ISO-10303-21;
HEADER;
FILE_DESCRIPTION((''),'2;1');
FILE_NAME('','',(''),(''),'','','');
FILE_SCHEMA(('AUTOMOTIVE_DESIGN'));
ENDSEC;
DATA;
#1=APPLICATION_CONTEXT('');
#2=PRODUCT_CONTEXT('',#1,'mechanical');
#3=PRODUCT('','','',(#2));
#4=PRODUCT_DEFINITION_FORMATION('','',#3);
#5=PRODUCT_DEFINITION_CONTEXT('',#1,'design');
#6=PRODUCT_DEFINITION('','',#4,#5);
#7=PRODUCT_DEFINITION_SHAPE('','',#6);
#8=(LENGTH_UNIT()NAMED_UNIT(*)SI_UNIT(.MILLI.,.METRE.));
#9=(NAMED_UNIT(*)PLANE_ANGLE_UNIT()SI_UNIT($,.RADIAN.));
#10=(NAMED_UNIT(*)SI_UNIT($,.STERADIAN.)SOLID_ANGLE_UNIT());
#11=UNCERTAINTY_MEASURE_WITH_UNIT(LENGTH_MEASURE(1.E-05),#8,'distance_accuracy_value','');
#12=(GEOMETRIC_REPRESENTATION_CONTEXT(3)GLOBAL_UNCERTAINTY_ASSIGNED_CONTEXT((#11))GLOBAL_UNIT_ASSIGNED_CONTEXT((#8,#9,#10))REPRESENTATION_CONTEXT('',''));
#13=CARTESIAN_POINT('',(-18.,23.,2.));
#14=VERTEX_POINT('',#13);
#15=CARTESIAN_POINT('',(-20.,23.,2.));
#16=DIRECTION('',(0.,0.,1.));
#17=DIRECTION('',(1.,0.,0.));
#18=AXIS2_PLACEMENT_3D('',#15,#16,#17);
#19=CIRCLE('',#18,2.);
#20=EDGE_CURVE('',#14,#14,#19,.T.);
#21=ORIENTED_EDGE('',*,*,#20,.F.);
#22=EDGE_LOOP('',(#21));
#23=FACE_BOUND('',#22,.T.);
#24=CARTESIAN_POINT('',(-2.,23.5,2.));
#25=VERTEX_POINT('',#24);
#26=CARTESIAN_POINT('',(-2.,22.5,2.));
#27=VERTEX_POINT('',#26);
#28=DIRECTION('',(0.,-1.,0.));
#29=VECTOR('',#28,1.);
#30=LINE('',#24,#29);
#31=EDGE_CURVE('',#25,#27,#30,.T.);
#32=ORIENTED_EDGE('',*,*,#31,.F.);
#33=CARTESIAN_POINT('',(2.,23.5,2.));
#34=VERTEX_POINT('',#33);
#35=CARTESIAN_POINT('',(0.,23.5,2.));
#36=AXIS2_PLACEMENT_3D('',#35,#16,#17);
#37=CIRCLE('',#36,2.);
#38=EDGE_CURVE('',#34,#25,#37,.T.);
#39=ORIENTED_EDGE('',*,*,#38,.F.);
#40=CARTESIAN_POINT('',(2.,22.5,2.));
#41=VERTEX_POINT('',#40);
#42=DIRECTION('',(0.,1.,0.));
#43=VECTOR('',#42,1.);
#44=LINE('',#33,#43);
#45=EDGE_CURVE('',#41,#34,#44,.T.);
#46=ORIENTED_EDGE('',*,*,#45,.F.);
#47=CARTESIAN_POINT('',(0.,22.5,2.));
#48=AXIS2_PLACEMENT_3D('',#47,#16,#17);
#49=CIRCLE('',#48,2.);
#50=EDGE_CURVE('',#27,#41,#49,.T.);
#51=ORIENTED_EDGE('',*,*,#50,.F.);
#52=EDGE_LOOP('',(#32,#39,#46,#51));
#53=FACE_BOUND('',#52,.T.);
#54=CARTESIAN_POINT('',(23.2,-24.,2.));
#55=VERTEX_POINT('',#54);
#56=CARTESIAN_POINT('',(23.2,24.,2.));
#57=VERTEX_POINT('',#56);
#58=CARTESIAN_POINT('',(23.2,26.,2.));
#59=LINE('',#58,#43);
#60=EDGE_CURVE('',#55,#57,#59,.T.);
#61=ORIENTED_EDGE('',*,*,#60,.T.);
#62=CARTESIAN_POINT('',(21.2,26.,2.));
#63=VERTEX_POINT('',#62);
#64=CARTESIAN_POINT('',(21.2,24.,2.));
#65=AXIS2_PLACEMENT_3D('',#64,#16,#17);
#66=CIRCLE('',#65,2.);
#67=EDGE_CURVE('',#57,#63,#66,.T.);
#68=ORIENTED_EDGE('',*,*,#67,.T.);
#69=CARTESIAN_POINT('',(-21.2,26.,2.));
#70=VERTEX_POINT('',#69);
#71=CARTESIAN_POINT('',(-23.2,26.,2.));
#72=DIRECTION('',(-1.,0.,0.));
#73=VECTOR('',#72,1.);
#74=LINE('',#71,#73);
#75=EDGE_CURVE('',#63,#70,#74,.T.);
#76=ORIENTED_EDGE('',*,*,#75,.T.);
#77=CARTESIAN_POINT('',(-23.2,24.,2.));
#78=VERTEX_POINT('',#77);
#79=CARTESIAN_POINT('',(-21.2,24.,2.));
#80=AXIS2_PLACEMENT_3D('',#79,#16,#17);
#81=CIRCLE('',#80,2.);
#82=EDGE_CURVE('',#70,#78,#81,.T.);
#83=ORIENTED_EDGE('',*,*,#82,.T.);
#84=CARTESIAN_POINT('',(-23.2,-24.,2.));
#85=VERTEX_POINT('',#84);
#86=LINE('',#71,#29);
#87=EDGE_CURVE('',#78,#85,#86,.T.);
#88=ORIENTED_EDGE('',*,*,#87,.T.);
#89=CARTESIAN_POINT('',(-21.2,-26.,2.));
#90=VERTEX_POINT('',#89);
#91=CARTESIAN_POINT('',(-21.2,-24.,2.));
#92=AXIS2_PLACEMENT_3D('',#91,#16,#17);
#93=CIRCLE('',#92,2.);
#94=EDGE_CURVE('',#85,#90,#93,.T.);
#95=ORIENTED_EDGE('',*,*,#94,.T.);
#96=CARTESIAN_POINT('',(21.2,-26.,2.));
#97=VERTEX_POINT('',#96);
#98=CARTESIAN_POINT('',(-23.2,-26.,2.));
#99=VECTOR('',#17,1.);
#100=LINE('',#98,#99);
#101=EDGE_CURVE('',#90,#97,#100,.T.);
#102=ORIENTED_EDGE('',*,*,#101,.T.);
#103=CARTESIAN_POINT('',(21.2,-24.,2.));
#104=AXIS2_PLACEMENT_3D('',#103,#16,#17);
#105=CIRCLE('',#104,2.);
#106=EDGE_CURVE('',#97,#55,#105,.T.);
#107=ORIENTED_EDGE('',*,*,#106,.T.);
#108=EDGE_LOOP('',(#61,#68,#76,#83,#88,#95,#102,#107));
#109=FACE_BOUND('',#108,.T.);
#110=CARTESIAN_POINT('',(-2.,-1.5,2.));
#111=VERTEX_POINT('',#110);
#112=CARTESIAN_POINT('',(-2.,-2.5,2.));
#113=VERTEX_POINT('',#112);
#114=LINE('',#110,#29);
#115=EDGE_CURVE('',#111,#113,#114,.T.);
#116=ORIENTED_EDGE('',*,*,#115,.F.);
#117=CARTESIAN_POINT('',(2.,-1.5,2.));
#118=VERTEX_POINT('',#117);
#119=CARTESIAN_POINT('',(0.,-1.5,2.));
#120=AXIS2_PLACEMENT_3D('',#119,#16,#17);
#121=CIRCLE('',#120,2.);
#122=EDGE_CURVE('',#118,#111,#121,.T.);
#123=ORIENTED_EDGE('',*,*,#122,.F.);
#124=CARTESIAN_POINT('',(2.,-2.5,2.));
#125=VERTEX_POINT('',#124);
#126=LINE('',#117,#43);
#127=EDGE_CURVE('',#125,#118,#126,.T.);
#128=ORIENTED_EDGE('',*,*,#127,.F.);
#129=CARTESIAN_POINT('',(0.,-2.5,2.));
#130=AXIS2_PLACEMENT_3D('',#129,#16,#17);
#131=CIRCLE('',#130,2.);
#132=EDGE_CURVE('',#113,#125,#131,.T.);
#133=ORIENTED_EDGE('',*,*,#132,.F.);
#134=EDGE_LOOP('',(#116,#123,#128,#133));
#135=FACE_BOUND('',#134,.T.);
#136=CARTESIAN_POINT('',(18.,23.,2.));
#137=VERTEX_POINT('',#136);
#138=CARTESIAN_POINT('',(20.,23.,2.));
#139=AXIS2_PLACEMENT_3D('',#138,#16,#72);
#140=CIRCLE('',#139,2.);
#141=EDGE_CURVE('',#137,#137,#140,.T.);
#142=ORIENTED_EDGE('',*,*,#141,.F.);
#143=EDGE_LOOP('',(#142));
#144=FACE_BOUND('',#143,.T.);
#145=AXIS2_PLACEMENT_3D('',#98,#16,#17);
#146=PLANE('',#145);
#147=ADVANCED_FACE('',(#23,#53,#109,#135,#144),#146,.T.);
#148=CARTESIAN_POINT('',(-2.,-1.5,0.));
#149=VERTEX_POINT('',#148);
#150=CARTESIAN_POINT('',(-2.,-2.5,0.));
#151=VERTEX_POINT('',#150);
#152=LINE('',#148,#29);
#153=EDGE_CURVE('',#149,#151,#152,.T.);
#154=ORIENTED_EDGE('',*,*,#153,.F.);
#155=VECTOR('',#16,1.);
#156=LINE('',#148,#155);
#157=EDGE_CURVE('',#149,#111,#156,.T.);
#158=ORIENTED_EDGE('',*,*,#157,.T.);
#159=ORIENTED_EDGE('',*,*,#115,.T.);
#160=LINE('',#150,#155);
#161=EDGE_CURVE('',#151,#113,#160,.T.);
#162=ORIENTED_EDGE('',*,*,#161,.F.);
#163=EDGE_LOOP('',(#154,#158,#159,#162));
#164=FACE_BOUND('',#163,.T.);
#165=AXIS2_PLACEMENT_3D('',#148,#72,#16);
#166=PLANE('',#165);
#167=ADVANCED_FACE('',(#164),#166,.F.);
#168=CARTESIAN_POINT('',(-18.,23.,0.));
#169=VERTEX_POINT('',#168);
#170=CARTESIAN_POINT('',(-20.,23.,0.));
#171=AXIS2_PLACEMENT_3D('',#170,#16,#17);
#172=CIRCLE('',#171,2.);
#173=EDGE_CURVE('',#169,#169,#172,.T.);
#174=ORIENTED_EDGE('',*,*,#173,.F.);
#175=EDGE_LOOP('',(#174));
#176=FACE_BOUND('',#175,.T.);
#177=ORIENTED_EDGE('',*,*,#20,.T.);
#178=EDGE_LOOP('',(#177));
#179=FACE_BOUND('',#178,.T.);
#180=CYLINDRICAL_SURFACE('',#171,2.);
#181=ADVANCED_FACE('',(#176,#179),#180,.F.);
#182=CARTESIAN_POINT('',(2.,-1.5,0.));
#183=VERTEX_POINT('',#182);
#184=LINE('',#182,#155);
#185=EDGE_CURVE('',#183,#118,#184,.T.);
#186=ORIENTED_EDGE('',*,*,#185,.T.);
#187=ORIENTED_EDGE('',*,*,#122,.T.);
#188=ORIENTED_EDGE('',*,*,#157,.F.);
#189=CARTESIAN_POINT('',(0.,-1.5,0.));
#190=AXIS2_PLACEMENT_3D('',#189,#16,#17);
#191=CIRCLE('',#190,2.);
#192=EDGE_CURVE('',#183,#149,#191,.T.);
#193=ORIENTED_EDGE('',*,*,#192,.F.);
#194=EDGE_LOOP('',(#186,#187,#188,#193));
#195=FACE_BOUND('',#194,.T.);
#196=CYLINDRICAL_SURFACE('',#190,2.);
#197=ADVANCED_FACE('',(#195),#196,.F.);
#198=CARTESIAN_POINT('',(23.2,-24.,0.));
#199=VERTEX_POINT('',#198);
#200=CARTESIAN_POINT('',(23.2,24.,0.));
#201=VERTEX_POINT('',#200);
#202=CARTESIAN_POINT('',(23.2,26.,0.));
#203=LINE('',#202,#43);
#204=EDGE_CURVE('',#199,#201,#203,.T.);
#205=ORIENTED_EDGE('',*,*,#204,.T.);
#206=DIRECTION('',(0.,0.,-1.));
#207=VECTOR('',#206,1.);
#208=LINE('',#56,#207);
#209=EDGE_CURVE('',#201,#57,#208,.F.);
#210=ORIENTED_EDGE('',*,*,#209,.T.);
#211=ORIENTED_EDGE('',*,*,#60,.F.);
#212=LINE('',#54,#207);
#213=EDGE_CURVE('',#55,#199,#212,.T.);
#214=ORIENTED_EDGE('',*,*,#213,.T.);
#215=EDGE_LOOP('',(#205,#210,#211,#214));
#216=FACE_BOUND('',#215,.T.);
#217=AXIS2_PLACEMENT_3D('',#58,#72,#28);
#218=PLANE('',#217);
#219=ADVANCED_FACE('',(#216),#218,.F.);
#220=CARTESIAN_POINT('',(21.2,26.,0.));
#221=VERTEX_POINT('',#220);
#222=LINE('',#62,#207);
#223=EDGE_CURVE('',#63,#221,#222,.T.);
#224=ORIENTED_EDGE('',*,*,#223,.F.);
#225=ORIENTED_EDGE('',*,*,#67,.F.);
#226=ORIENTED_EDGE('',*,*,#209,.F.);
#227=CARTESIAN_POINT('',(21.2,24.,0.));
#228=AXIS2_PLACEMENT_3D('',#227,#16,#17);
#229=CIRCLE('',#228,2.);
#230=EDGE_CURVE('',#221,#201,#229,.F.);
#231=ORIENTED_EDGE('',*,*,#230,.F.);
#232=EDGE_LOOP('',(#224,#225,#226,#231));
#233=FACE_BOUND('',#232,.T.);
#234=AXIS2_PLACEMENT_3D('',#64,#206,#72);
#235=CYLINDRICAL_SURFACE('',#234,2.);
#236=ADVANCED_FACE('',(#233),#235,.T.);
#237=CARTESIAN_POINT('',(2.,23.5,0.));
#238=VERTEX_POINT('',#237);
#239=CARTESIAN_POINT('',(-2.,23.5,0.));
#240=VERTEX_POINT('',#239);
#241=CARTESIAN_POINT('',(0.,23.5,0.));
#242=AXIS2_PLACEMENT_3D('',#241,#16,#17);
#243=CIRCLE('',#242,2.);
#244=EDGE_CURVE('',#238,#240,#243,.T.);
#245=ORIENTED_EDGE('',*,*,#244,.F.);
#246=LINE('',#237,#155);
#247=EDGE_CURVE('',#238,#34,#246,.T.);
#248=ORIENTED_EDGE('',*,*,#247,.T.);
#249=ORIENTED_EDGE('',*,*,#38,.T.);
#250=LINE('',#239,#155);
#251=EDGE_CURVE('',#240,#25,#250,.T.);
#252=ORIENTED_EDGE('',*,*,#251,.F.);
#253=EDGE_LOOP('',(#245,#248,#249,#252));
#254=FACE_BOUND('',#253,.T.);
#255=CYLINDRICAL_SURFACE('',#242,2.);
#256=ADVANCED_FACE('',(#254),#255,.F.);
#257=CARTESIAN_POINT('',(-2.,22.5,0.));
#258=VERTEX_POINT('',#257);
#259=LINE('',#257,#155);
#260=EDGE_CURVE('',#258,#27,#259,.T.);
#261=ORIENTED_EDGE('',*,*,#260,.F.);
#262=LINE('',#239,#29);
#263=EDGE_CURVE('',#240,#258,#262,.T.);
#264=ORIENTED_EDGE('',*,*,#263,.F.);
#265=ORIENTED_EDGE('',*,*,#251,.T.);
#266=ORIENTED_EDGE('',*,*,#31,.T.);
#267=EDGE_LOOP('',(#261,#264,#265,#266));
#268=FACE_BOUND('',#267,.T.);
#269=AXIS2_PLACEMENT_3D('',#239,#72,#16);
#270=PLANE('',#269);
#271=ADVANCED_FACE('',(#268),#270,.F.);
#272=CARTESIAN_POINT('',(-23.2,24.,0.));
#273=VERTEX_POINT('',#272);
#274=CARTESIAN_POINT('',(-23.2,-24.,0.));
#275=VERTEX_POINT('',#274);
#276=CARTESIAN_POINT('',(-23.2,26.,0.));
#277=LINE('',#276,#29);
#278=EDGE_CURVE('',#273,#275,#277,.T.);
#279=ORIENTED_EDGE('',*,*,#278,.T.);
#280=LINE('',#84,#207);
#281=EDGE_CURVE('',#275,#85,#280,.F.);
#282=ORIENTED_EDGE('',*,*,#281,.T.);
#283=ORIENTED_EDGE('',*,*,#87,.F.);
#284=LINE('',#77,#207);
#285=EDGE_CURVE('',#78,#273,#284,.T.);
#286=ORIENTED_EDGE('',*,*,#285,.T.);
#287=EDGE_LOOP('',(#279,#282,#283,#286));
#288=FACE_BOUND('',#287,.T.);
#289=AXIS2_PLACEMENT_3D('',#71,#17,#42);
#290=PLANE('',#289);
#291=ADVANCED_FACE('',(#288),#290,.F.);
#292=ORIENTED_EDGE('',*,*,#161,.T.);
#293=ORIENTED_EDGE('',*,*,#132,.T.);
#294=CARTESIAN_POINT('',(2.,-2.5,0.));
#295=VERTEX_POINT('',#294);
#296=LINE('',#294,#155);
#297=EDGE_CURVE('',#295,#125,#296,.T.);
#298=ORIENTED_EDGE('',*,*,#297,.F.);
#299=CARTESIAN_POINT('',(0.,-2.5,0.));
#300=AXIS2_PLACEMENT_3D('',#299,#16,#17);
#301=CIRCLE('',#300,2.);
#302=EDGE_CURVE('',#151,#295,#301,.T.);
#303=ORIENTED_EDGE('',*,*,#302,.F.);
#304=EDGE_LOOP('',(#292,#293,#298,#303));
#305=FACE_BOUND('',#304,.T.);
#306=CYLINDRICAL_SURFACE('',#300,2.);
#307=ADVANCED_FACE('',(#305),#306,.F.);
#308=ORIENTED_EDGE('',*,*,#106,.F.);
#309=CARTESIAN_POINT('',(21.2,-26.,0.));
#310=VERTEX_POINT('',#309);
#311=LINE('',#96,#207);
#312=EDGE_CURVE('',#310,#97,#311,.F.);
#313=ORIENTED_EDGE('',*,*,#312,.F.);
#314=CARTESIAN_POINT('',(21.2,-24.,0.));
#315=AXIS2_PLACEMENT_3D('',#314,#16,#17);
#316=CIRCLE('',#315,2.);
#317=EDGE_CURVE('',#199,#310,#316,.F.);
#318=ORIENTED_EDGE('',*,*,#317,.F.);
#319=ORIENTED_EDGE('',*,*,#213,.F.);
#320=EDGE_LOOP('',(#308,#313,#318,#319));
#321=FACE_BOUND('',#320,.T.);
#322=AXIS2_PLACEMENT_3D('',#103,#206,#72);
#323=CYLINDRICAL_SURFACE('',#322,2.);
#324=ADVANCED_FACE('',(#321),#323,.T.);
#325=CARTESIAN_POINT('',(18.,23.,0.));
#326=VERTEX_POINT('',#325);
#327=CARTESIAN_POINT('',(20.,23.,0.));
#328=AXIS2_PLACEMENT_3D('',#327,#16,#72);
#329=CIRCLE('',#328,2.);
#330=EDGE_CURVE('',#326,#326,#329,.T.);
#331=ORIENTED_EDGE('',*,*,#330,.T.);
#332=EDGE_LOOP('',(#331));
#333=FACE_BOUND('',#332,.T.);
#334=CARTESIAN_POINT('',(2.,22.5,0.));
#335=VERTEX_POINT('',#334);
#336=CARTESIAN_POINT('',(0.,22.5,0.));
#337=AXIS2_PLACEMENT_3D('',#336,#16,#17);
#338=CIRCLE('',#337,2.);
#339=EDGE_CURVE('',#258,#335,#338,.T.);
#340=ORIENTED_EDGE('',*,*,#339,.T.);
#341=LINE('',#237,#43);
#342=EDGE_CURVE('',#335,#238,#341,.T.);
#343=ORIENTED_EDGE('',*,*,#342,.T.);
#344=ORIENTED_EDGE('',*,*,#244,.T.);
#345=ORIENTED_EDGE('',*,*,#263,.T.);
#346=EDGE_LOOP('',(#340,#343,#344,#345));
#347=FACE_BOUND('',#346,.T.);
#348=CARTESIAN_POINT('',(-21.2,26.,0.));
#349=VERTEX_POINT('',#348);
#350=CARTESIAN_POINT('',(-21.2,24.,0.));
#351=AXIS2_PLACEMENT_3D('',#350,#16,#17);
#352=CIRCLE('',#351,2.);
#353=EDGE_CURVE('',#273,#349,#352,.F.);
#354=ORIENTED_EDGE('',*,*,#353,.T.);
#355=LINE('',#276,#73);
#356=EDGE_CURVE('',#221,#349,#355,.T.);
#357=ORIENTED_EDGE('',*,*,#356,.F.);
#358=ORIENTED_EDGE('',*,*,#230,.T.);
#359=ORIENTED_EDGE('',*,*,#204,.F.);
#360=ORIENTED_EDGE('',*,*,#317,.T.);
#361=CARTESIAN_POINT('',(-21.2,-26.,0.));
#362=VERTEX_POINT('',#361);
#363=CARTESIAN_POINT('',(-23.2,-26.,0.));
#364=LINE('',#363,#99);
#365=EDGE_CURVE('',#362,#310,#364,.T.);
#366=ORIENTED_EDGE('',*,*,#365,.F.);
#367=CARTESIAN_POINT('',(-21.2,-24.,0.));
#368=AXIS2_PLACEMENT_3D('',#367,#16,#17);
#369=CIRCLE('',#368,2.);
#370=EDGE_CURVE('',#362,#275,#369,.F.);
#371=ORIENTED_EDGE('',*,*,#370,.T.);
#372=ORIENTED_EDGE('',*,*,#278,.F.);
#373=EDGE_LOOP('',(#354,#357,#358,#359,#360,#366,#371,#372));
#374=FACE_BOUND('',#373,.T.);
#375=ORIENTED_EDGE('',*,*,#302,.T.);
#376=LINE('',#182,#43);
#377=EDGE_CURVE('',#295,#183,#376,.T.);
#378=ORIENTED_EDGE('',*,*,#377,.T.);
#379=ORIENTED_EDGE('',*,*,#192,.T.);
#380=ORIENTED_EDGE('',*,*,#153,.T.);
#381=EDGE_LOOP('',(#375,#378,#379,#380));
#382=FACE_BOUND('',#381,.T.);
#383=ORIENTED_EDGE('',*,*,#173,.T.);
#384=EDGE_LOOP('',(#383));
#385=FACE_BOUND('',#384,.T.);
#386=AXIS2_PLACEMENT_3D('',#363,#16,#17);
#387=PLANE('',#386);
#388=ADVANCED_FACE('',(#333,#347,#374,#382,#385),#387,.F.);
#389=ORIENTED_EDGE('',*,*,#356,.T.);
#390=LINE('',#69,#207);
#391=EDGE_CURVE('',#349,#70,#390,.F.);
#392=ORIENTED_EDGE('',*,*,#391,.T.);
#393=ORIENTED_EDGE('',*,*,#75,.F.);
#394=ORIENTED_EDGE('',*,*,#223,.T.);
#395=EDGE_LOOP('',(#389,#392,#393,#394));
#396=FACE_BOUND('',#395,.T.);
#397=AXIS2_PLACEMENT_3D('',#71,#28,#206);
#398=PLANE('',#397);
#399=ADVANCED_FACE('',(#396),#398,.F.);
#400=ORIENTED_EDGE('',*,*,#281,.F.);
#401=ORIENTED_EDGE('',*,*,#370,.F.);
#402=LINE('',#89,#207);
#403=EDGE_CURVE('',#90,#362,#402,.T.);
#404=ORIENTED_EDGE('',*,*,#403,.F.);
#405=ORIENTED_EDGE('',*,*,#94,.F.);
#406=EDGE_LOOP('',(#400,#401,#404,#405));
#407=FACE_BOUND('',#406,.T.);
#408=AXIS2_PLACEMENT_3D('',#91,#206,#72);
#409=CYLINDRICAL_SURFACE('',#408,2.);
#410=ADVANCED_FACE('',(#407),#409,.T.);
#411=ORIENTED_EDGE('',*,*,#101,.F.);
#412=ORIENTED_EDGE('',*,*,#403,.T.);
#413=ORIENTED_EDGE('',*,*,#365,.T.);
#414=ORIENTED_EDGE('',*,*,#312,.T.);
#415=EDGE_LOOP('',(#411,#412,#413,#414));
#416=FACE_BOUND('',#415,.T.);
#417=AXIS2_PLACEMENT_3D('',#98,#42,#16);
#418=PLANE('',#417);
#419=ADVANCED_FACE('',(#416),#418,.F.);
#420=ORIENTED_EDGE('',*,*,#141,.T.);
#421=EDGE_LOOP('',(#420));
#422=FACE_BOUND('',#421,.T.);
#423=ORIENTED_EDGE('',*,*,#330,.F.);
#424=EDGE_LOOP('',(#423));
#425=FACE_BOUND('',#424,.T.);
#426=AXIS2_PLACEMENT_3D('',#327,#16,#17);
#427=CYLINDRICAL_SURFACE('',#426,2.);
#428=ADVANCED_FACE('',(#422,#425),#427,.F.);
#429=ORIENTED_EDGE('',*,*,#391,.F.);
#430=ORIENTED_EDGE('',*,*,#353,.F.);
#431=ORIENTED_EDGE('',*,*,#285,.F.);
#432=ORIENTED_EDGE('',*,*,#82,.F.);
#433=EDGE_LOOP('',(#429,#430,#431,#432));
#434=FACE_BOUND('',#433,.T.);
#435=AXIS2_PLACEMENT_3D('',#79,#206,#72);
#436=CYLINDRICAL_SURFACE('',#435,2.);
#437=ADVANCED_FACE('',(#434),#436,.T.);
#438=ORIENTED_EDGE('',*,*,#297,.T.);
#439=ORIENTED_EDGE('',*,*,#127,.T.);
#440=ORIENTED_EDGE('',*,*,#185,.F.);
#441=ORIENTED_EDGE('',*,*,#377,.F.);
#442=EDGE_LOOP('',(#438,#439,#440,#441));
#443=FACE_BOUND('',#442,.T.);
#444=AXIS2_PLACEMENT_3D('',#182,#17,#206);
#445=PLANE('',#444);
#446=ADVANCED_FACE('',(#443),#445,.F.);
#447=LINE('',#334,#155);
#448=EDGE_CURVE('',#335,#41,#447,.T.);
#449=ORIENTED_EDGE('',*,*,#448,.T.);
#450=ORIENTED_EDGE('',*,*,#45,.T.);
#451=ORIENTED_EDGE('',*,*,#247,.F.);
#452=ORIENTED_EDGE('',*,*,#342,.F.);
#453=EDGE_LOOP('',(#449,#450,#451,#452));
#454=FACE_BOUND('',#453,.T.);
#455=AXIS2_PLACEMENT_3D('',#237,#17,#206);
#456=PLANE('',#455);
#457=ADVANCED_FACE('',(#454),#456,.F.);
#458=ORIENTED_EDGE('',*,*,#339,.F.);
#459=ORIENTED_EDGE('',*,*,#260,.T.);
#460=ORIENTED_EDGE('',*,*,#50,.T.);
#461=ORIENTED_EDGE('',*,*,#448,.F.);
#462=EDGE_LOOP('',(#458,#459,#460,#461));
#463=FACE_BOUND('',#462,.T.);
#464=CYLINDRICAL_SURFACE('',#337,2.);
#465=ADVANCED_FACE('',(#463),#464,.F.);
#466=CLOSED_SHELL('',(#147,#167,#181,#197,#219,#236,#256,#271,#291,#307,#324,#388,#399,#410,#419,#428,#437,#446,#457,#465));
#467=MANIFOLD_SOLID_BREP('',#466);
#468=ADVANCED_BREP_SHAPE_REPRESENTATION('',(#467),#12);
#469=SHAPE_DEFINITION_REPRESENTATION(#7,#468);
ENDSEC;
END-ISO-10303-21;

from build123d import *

# Parameters (mm, degrees)
ESQUISSE1_W             = 46.4
ESQUISSE1_H             = 52
EXTRUSION1_DEPTH        = 2
ESQUISSE2_R             = 2
ENL_V_MAT_EXTRU_1_DEPTH = 3
ENL_V_MAT_EXTRU_2_DEPTH = 3
CONG_1_R                = 2


with BuildPart() as part:
    # Esquisse1 → Extrusion1 (new body)
    with BuildSketch(Plane.XY):
        Rectangle(ESQUISSE1_W, ESQUISSE1_H)
    extrude(amount=EXTRUSION1_DEPTH)

    # Esquisse2 → Enlèv. mat.-Extru.1 (cut, through all)
    with BuildSketch(Plane.XY.offset(2)):
        with Locations((-20, 23)):
            Circle(ESQUISSE2_R)
        with Locations((20, 23)):
            Circle(ESQUISSE2_R)
    extrude(amount=-ENL_V_MAT_EXTRU_1_DEPTH, mode=Mode.SUBTRACT)

    # Esquisse3 → Enlèv. mat.-Extru.2 (cut, through all)
    with BuildSketch(Plane.XY.offset(2)):
        with BuildLine():
            Line((2, 23.5), (2, 22.5))
            ThreePointArc((2, 22.5), (0, 20.5), (-2, 22.5))
            Line((-2, 22.5), (-2, 23.5))
            ThreePointArc((-2, 23.5), (0, 25.5), (2, 23.5))
        make_face()
        with BuildLine():
            Line((2, -1.5), (2, -2.5))
            ThreePointArc((2, -2.5), (0, -4.5), (-2, -2.5))
            Line((-2, -2.5), (-2, -1.5))
            ThreePointArc((-2, -1.5), (0, 0.5), (2, -1.5))
        make_face()
    extrude(amount=-ENL_V_MAT_EXTRU_2_DEPTH, mode=Mode.SUBTRACT)

    # Congé1
    cong_1_edges = [part.edges().sort_by_distance(p)[0] for p in [
        (-23.2, 26, 1),
        (23.2, 26, 1),
        (23.2, -26, 1),
        (-23.2, -26, 1),
    ]]
    fillet(cong_1_edges, radius=CONG_1_R)


solid = part.part
